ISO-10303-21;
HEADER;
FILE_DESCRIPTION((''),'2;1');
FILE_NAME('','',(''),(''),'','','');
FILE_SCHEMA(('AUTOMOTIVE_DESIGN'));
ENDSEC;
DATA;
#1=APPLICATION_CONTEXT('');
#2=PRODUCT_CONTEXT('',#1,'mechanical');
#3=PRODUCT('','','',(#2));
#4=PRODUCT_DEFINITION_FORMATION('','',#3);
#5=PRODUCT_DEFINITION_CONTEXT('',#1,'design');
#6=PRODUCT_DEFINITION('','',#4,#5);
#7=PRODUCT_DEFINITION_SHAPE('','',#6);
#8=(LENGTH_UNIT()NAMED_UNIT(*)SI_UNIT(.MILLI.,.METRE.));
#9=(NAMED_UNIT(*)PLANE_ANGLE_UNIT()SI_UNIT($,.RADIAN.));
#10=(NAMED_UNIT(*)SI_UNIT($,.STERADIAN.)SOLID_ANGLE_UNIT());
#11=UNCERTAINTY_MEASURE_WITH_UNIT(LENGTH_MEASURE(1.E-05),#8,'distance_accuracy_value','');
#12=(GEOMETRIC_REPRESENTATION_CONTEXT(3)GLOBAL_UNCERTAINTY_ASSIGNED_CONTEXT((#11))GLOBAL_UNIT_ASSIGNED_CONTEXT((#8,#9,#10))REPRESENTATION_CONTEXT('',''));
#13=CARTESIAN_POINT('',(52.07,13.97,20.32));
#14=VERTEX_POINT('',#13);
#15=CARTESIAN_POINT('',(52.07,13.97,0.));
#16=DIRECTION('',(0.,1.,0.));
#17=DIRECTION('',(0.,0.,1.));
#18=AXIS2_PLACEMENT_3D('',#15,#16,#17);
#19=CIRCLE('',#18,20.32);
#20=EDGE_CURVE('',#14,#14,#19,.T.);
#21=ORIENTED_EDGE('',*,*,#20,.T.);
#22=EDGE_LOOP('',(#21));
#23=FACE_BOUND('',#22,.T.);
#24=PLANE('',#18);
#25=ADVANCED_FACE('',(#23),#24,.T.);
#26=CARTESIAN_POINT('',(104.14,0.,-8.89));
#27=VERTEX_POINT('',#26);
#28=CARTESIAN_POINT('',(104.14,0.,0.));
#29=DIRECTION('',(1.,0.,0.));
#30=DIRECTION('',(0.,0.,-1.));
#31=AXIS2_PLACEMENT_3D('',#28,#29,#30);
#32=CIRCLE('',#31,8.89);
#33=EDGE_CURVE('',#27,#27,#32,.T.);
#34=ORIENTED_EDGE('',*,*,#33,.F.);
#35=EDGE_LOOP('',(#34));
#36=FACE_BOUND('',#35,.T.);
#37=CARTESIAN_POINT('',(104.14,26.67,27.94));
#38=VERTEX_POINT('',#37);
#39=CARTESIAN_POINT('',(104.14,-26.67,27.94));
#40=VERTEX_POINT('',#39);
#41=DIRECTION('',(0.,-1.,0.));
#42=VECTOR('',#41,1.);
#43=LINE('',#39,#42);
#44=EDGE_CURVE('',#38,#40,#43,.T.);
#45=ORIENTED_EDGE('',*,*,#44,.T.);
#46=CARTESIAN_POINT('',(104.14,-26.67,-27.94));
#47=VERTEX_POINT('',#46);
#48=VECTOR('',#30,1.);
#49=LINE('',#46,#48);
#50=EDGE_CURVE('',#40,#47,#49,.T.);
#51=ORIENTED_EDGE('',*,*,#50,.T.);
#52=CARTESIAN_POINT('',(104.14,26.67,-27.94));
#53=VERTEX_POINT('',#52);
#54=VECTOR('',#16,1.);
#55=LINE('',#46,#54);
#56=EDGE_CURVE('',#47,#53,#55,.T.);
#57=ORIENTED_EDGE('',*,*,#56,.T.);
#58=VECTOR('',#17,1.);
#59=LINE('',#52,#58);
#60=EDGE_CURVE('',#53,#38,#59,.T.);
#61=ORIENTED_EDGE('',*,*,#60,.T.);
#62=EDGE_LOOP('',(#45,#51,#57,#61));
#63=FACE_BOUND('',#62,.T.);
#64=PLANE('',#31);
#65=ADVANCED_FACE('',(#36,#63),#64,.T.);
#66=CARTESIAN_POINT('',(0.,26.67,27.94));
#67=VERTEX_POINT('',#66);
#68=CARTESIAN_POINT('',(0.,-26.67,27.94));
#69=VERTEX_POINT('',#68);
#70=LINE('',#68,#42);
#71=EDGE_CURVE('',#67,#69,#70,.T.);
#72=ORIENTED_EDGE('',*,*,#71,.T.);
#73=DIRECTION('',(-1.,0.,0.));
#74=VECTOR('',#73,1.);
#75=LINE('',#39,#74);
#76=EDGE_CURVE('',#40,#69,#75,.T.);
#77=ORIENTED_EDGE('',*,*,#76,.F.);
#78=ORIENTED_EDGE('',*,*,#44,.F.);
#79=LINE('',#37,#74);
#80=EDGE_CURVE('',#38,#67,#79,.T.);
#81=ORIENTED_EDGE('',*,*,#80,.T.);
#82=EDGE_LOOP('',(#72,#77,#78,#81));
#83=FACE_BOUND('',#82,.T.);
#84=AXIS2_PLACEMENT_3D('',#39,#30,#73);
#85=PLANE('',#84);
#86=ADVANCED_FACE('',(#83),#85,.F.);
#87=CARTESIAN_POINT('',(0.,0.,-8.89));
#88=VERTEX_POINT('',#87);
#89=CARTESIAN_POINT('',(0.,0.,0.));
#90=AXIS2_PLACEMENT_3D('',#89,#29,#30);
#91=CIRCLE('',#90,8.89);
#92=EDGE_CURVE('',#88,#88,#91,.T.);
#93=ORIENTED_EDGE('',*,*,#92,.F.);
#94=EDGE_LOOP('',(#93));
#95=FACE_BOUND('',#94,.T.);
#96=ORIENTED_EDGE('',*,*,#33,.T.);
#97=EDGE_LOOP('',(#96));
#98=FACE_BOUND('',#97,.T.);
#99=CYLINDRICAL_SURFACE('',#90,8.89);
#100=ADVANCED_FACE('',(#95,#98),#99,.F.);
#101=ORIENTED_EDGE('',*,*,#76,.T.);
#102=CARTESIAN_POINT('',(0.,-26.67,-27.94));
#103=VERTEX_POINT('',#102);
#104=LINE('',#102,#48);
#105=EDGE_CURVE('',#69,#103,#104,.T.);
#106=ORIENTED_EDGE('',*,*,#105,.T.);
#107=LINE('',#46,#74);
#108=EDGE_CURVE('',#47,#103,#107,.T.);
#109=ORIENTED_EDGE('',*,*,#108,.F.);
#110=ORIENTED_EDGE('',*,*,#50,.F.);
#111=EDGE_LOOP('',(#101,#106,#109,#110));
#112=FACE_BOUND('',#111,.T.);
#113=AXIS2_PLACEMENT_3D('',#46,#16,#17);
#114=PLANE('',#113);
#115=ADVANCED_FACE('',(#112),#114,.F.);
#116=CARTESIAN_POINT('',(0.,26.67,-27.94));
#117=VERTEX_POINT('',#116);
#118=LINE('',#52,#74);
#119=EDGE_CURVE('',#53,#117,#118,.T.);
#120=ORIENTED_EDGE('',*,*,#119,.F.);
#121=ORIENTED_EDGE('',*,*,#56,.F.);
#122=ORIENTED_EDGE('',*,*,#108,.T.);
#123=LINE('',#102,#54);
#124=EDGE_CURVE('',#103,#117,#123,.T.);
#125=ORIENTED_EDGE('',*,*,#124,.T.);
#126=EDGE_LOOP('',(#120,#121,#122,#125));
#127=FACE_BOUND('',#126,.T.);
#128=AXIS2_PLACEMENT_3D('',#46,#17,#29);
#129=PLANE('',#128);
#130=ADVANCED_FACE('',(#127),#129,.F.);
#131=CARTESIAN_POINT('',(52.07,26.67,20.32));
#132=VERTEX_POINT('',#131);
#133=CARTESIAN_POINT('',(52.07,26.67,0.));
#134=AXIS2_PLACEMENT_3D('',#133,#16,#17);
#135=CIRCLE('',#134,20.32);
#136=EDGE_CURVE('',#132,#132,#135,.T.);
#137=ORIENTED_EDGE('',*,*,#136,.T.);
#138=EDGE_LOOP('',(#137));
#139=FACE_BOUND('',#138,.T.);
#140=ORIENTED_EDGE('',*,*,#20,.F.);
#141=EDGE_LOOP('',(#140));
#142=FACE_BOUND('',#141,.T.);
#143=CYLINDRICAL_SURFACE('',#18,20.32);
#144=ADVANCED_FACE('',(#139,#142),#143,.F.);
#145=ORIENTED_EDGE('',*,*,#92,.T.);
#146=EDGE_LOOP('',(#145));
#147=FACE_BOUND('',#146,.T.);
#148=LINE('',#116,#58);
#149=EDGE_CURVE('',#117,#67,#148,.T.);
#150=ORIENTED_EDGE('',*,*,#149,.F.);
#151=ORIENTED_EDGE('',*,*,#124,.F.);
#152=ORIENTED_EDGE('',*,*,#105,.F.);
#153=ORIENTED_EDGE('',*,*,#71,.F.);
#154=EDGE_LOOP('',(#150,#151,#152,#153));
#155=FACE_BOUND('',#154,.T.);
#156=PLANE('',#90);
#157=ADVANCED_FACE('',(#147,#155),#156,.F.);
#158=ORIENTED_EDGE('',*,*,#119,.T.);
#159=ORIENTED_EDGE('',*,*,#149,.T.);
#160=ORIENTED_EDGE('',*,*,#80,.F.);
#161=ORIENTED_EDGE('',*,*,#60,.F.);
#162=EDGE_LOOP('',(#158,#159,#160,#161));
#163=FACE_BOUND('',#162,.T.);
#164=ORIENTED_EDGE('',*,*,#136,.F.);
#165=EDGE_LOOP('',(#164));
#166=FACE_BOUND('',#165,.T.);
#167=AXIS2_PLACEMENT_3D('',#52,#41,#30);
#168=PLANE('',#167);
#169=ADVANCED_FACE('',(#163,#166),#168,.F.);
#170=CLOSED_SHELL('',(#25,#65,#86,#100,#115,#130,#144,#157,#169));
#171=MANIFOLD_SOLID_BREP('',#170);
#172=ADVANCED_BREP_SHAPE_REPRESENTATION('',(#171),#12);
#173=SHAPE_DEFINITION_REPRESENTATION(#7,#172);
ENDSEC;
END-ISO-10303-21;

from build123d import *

# Parameters (mm, degrees)
SKETCH1_W           = 55.88
SKETCH1_H           = 53.34
BOSS_EXTRUDE1_DEPTH = 104.14
SKETCH2_R           = 8.89
CUT_EXTRUDE1_DEPTH  = 112.072373253
SKETCH3_R           = 20.32
CUT_EXTRUDE2_DEPTH  = 12.7


with BuildPart() as part:
    # Sketch1 → Boss-Extrude1 (new body)
    with BuildSketch(Plane(origin=(0, 0, 0), x_dir=(0, 0, -1), z_dir=(1, 0, 0))):
        Rectangle(SKETCH1_W, SKETCH1_H)
    extrude(amount=BOSS_EXTRUDE1_DEPTH)

    # Sketch2 → Cut-Extrude1 (cut, through all)
    with BuildSketch(Plane(origin=(104.14, 0, 0), x_dir=(0, 0, -1), z_dir=(1, 0, 0))):
        Circle(SKETCH2_R)
    extrude(amount=-CUT_EXTRUDE1_DEPTH, mode=Mode.SUBTRACT)

    # Sketch3 → Cut-Extrude2 (cut)
    with BuildSketch(Plane(origin=(0, 26.67, 0), x_dir=(1, 0, 0), z_dir=(0, 1, 0))):
        with Locations(Location((52.07, 0, 0), (0, 0, 270))):
            Circle(SKETCH3_R)
    extrude(amount=-CUT_EXTRUDE2_DEPTH, mode=Mode.SUBTRACT)


solid = part.part
